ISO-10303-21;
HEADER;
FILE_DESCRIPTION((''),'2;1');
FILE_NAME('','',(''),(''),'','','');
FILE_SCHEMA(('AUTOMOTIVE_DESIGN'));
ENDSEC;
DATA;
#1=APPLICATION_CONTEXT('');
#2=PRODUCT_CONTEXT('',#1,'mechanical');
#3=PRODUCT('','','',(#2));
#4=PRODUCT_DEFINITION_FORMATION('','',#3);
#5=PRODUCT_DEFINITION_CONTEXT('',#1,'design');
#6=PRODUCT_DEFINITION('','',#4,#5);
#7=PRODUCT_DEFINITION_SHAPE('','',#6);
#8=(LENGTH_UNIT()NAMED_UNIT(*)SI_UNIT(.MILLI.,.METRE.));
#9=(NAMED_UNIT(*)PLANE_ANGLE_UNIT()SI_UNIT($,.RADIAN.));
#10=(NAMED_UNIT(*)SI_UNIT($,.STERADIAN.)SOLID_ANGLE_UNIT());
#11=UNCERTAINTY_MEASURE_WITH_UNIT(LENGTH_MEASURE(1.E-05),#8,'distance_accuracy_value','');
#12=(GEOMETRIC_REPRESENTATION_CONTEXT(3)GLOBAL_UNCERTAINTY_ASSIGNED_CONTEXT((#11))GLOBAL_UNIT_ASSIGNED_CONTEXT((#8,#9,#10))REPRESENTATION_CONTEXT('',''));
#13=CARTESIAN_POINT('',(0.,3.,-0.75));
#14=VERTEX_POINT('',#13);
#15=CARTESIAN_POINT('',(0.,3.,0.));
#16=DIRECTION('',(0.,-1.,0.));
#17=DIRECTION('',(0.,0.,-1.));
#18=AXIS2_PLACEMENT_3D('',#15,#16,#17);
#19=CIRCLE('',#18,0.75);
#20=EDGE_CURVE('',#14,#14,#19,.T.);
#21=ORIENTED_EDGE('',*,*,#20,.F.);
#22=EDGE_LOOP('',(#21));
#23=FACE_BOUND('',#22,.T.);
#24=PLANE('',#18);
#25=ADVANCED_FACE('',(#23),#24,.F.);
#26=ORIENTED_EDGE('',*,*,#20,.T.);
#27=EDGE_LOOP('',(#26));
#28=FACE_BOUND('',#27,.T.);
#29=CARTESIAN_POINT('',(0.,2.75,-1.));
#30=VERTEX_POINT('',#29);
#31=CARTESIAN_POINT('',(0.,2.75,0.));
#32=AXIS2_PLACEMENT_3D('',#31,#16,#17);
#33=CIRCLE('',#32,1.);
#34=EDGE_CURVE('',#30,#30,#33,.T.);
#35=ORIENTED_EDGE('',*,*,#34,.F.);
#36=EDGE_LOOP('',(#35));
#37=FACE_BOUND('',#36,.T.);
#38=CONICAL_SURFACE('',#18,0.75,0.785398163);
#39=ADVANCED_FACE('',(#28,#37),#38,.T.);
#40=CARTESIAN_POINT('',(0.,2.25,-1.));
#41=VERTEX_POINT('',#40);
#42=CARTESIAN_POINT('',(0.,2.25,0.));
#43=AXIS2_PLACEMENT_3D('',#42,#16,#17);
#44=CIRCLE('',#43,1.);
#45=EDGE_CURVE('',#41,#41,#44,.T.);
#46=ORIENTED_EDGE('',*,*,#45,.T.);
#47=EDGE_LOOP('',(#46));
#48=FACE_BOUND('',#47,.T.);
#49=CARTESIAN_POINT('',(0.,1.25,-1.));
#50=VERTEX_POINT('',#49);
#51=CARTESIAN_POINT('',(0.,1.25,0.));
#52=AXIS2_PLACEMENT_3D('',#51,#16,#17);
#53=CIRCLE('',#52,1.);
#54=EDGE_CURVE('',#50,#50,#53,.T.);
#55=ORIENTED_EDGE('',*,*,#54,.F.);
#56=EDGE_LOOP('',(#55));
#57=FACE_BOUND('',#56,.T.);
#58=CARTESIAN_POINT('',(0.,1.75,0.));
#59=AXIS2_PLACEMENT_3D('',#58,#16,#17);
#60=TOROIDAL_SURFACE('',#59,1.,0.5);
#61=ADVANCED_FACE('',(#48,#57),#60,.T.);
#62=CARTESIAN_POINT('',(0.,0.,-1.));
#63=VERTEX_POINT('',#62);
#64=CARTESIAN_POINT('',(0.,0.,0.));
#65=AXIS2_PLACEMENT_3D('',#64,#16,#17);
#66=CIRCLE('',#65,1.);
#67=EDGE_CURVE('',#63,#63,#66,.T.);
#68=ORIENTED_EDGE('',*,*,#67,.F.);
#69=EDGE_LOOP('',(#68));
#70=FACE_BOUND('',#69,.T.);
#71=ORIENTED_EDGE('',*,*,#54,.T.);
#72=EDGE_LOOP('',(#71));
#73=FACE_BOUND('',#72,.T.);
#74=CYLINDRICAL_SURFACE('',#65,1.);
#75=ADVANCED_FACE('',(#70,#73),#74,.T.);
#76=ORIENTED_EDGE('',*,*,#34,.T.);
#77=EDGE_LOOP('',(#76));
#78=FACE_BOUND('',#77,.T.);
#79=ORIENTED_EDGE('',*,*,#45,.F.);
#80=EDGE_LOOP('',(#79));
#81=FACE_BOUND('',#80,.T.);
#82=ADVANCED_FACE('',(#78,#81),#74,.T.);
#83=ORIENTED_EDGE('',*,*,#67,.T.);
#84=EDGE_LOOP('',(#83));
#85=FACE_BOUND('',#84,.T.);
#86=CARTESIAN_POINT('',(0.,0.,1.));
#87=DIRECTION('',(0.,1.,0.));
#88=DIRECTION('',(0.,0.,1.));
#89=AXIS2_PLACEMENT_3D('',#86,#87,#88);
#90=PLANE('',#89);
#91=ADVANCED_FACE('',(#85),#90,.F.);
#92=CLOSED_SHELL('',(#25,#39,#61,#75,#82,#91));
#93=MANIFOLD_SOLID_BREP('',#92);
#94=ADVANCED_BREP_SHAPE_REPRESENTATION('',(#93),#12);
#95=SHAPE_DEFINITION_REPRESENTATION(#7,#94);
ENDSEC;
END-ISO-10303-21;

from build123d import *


with BuildPart() as part:
    # Sketch1 → Revolve1 (revolve)
    with BuildSketch(Plane(origin=(0, 0, 0), x_dir=(0, 0, -1), z_dir=(1, 0, 0)), mode=Mode.PRIVATE) as revolve1_sk:
        with BuildLine():
            Line((0, 0), (0, 3))
            Line((0, 3), (-0.75, 3))
            Line((-0.75, 3), (-1, 2.75))
            Line((-1, 2.75), (-1, 2.25))
            ThreePointArc((-1, 2.25), (-1.5, 1.75), (-1, 1.25))
            Line((-1, 1.25), (-1, 0))
            Line((-1, 0), (0, 0))
        make_face()
    revolve(revolve1_sk.sketch.rotate(Axis((0, 0, 0), (0, 1, 0)), 180), axis=Axis((0, 0, 0), (0, 1, 0)))


solid = part.part
